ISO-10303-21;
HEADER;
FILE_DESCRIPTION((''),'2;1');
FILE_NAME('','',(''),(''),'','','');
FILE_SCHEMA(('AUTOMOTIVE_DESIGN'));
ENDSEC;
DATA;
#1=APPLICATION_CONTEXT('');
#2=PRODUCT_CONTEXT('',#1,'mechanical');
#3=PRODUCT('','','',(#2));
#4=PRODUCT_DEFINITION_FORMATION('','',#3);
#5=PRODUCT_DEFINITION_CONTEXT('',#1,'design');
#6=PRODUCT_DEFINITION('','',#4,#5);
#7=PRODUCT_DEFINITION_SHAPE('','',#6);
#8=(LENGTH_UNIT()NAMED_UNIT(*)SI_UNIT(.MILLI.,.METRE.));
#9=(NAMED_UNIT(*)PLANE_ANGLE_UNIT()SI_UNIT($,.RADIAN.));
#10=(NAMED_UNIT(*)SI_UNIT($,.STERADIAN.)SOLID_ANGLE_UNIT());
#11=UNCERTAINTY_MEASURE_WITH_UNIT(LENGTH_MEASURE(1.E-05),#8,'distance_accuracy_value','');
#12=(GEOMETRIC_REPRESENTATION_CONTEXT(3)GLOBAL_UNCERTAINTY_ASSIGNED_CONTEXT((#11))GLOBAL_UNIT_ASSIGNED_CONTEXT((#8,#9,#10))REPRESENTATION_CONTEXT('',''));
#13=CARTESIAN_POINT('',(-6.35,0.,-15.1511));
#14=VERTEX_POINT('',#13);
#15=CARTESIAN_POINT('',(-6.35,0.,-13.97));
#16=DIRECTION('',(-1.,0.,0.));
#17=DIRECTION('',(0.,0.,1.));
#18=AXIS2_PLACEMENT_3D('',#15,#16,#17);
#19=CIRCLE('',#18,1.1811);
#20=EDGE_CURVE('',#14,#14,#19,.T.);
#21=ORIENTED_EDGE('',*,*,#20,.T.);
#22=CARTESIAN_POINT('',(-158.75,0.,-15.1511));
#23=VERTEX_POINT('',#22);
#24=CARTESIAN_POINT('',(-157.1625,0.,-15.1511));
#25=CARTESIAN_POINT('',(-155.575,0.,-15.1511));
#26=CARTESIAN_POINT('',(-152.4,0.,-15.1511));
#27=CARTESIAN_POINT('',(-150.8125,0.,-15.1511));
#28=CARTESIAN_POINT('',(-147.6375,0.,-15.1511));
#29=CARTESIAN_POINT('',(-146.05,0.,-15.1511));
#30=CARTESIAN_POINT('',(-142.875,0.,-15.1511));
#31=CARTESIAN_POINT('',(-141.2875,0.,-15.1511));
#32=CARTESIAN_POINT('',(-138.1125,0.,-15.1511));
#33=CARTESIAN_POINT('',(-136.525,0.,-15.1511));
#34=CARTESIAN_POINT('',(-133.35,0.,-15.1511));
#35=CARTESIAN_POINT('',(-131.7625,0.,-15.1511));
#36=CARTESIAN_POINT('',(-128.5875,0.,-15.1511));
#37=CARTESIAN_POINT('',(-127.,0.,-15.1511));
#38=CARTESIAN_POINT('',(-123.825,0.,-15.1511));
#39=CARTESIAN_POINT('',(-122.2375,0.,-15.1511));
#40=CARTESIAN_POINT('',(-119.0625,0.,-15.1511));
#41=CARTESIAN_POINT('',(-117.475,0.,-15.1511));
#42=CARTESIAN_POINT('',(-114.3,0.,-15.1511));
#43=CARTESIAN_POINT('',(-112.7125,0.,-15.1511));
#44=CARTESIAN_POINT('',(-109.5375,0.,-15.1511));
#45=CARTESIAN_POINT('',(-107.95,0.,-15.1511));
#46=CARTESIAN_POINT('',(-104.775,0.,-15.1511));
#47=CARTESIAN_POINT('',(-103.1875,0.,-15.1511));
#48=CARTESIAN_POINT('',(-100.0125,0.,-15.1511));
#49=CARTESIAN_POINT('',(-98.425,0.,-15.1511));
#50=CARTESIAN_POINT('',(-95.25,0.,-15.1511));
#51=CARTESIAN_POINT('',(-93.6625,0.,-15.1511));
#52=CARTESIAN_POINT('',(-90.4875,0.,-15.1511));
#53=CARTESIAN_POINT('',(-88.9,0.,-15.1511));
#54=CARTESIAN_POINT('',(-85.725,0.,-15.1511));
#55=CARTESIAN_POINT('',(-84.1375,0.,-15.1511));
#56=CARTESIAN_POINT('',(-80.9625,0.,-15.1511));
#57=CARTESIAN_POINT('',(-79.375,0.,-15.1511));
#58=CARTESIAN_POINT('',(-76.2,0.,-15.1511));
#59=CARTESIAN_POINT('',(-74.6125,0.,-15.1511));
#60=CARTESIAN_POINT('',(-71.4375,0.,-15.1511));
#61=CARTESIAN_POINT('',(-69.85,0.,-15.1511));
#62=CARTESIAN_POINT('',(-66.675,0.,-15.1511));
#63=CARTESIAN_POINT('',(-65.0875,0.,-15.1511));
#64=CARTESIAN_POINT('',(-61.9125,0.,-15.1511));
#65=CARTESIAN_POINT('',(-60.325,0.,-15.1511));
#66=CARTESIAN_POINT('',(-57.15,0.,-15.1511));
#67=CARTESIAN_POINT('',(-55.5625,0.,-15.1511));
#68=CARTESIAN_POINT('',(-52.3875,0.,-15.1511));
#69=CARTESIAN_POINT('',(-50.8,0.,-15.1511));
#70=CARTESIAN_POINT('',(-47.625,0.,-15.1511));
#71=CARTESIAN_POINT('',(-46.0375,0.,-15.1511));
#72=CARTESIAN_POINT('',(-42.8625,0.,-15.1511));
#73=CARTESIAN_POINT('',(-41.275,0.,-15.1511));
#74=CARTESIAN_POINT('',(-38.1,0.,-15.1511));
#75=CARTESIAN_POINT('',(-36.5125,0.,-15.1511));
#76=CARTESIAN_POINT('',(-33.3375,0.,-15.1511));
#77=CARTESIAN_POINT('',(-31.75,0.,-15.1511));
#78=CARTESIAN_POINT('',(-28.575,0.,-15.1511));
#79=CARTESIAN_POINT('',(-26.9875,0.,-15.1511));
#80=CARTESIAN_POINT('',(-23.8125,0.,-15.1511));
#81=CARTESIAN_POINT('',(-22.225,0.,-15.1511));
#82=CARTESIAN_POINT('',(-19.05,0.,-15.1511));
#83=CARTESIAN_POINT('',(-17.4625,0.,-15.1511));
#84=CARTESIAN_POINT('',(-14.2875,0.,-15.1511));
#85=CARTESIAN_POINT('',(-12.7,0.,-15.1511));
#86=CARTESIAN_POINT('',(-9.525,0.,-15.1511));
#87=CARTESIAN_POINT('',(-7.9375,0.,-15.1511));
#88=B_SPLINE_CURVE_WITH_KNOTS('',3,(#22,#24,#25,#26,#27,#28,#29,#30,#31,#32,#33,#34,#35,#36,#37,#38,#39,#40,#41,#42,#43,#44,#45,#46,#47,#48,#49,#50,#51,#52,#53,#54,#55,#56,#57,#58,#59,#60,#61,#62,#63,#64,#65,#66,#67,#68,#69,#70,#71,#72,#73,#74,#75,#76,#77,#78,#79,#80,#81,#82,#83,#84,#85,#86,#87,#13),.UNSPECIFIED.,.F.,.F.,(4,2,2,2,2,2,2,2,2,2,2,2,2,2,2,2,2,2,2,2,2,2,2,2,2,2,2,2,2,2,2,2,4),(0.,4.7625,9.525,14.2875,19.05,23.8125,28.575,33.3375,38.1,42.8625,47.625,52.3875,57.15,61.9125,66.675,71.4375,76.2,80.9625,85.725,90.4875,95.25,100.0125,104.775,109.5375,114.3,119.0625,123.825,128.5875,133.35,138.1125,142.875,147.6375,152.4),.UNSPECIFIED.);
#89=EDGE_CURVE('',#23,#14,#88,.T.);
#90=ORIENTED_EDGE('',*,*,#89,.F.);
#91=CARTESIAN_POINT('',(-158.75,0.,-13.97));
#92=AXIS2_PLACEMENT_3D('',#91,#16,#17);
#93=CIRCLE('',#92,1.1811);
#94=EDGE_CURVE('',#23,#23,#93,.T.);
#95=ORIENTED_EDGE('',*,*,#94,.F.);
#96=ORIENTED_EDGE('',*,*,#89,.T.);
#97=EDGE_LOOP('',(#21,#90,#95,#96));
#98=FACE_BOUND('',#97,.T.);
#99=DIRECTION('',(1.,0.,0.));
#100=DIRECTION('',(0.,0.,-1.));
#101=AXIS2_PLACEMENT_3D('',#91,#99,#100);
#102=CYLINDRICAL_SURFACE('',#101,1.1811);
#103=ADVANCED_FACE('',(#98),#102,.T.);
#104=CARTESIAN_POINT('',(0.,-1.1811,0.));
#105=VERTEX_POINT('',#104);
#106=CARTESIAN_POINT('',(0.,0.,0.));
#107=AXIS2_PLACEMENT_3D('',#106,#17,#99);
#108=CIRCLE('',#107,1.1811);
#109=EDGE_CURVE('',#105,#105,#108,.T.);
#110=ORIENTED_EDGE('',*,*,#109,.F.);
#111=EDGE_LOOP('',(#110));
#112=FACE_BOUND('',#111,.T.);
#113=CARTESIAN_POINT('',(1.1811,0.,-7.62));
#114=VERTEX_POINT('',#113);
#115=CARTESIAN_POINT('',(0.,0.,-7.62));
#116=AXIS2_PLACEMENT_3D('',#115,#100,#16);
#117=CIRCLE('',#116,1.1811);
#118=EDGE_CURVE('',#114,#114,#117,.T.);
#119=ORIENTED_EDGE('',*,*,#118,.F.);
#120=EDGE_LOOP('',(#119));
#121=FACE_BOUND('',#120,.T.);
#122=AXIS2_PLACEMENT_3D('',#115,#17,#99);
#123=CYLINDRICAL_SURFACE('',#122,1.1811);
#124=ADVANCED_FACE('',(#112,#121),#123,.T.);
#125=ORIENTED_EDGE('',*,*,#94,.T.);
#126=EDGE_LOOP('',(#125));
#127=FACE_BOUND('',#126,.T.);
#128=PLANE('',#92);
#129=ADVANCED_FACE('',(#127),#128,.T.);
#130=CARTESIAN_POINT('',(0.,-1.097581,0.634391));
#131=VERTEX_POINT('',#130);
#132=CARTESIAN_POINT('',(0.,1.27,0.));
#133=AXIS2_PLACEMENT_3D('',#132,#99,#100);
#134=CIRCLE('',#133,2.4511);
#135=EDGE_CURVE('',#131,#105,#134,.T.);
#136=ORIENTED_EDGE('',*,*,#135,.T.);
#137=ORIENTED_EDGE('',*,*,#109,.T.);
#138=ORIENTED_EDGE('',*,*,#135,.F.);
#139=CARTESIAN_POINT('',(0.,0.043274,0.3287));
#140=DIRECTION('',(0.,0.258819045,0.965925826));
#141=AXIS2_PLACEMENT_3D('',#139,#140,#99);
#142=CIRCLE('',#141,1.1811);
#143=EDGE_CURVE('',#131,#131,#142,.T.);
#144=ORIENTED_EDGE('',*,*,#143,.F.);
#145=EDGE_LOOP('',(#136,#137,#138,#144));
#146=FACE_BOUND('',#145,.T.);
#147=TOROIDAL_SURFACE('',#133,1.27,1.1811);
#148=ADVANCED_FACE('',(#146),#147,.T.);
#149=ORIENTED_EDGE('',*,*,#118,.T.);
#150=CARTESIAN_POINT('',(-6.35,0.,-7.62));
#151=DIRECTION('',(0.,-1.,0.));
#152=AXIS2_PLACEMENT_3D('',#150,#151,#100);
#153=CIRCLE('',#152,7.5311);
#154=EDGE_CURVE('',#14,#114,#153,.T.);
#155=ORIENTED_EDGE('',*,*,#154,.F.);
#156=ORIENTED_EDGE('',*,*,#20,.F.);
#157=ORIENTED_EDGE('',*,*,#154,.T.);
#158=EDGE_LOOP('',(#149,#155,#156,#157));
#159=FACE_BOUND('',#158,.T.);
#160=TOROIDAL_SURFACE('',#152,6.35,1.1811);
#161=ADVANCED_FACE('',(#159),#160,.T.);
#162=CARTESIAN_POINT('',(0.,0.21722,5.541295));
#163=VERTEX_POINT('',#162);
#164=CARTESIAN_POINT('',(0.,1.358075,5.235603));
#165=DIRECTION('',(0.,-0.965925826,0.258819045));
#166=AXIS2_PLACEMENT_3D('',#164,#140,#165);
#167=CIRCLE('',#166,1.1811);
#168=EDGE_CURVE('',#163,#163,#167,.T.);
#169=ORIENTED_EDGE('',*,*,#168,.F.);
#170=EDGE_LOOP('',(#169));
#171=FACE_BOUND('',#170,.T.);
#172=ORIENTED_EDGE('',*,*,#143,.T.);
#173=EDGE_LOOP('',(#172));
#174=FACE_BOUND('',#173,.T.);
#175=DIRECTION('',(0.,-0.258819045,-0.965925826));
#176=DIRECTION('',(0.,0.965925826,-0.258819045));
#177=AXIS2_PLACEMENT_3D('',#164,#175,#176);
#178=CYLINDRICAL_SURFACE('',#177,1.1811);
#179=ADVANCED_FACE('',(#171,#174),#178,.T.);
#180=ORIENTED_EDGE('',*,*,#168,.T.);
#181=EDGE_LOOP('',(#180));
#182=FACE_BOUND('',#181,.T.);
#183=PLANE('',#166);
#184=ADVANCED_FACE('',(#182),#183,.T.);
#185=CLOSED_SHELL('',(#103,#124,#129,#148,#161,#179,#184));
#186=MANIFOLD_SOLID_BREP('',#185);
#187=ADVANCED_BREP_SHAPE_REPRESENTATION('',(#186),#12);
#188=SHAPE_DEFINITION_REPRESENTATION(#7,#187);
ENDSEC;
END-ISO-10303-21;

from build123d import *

# Parameters (mm, degrees)
SKETCH1_R           = 1.1811
RODEND_DEPTH        = 7.62
SKETCH4_R           = 1.1811
REVOLVE1_ANGLE      = 90
SKETCH5_R           = 1.1811
BOSS_EXTRUDE1_DEPTH = 152.4
SKETCH6_R           = 1.1811
REVOLVE2_ANGLE      = 15
SKETCH7_R           = 1.1811
BOSS_EXTRUDE2_DEPTH = 5.08


with BuildPart() as part:
    # Sketch1 → RodEnd (new body)
    with BuildSketch(Plane.XY):
        Circle(SKETCH1_R)
    extrude(amount=-RODEND_DEPTH)

    # Sketch4 → Revolve1 (revolve)
    with BuildSketch(Plane(origin=(0, 0, -7.62), x_dir=(-1, 0, 0), z_dir=(0, 0, -1))):
        with Locations(Location((0, 0, 0), (0, 0, 180))):
            Circle(SKETCH4_R)
    revolve(axis=Axis((-6.35, 0, -7.62), (0, 1, 0)), revolution_arc=REVOLVE1_ANGLE)

    # Sketch5 → Boss-Extrude1 (add)
    with BuildSketch(Plane.ZY.offset(6.35)):
        with Locations(Location((-13.97, 0, 0), (0, 0, 180))):
            Circle(SKETCH5_R)
    extrude(amount=BOSS_EXTRUDE1_DEPTH)

    # Sketch6 → Revolve2 (revolve)
    with BuildSketch(Plane.XY):
        Circle(SKETCH6_R)
    revolve(axis=Axis((0, 1.27, 0), (-1, 0, 0)), revolution_arc=REVOLVE2_ANGLE)

    # Sketch7 → Boss-Extrude2 (add)
    with BuildSketch(Plane(origin=(0, 0.085073869, 0.3175), x_dir=(1, 0, 0), z_dir=(0, 0.2588190451025214, 0.9659258262890682))):
        with Locations(Location((0, -0.043274201, 0), (0, 0, 270))):
            Circle(SKETCH7_R)
    extrude(amount=BOSS_EXTRUDE2_DEPTH)


solid = part.part
